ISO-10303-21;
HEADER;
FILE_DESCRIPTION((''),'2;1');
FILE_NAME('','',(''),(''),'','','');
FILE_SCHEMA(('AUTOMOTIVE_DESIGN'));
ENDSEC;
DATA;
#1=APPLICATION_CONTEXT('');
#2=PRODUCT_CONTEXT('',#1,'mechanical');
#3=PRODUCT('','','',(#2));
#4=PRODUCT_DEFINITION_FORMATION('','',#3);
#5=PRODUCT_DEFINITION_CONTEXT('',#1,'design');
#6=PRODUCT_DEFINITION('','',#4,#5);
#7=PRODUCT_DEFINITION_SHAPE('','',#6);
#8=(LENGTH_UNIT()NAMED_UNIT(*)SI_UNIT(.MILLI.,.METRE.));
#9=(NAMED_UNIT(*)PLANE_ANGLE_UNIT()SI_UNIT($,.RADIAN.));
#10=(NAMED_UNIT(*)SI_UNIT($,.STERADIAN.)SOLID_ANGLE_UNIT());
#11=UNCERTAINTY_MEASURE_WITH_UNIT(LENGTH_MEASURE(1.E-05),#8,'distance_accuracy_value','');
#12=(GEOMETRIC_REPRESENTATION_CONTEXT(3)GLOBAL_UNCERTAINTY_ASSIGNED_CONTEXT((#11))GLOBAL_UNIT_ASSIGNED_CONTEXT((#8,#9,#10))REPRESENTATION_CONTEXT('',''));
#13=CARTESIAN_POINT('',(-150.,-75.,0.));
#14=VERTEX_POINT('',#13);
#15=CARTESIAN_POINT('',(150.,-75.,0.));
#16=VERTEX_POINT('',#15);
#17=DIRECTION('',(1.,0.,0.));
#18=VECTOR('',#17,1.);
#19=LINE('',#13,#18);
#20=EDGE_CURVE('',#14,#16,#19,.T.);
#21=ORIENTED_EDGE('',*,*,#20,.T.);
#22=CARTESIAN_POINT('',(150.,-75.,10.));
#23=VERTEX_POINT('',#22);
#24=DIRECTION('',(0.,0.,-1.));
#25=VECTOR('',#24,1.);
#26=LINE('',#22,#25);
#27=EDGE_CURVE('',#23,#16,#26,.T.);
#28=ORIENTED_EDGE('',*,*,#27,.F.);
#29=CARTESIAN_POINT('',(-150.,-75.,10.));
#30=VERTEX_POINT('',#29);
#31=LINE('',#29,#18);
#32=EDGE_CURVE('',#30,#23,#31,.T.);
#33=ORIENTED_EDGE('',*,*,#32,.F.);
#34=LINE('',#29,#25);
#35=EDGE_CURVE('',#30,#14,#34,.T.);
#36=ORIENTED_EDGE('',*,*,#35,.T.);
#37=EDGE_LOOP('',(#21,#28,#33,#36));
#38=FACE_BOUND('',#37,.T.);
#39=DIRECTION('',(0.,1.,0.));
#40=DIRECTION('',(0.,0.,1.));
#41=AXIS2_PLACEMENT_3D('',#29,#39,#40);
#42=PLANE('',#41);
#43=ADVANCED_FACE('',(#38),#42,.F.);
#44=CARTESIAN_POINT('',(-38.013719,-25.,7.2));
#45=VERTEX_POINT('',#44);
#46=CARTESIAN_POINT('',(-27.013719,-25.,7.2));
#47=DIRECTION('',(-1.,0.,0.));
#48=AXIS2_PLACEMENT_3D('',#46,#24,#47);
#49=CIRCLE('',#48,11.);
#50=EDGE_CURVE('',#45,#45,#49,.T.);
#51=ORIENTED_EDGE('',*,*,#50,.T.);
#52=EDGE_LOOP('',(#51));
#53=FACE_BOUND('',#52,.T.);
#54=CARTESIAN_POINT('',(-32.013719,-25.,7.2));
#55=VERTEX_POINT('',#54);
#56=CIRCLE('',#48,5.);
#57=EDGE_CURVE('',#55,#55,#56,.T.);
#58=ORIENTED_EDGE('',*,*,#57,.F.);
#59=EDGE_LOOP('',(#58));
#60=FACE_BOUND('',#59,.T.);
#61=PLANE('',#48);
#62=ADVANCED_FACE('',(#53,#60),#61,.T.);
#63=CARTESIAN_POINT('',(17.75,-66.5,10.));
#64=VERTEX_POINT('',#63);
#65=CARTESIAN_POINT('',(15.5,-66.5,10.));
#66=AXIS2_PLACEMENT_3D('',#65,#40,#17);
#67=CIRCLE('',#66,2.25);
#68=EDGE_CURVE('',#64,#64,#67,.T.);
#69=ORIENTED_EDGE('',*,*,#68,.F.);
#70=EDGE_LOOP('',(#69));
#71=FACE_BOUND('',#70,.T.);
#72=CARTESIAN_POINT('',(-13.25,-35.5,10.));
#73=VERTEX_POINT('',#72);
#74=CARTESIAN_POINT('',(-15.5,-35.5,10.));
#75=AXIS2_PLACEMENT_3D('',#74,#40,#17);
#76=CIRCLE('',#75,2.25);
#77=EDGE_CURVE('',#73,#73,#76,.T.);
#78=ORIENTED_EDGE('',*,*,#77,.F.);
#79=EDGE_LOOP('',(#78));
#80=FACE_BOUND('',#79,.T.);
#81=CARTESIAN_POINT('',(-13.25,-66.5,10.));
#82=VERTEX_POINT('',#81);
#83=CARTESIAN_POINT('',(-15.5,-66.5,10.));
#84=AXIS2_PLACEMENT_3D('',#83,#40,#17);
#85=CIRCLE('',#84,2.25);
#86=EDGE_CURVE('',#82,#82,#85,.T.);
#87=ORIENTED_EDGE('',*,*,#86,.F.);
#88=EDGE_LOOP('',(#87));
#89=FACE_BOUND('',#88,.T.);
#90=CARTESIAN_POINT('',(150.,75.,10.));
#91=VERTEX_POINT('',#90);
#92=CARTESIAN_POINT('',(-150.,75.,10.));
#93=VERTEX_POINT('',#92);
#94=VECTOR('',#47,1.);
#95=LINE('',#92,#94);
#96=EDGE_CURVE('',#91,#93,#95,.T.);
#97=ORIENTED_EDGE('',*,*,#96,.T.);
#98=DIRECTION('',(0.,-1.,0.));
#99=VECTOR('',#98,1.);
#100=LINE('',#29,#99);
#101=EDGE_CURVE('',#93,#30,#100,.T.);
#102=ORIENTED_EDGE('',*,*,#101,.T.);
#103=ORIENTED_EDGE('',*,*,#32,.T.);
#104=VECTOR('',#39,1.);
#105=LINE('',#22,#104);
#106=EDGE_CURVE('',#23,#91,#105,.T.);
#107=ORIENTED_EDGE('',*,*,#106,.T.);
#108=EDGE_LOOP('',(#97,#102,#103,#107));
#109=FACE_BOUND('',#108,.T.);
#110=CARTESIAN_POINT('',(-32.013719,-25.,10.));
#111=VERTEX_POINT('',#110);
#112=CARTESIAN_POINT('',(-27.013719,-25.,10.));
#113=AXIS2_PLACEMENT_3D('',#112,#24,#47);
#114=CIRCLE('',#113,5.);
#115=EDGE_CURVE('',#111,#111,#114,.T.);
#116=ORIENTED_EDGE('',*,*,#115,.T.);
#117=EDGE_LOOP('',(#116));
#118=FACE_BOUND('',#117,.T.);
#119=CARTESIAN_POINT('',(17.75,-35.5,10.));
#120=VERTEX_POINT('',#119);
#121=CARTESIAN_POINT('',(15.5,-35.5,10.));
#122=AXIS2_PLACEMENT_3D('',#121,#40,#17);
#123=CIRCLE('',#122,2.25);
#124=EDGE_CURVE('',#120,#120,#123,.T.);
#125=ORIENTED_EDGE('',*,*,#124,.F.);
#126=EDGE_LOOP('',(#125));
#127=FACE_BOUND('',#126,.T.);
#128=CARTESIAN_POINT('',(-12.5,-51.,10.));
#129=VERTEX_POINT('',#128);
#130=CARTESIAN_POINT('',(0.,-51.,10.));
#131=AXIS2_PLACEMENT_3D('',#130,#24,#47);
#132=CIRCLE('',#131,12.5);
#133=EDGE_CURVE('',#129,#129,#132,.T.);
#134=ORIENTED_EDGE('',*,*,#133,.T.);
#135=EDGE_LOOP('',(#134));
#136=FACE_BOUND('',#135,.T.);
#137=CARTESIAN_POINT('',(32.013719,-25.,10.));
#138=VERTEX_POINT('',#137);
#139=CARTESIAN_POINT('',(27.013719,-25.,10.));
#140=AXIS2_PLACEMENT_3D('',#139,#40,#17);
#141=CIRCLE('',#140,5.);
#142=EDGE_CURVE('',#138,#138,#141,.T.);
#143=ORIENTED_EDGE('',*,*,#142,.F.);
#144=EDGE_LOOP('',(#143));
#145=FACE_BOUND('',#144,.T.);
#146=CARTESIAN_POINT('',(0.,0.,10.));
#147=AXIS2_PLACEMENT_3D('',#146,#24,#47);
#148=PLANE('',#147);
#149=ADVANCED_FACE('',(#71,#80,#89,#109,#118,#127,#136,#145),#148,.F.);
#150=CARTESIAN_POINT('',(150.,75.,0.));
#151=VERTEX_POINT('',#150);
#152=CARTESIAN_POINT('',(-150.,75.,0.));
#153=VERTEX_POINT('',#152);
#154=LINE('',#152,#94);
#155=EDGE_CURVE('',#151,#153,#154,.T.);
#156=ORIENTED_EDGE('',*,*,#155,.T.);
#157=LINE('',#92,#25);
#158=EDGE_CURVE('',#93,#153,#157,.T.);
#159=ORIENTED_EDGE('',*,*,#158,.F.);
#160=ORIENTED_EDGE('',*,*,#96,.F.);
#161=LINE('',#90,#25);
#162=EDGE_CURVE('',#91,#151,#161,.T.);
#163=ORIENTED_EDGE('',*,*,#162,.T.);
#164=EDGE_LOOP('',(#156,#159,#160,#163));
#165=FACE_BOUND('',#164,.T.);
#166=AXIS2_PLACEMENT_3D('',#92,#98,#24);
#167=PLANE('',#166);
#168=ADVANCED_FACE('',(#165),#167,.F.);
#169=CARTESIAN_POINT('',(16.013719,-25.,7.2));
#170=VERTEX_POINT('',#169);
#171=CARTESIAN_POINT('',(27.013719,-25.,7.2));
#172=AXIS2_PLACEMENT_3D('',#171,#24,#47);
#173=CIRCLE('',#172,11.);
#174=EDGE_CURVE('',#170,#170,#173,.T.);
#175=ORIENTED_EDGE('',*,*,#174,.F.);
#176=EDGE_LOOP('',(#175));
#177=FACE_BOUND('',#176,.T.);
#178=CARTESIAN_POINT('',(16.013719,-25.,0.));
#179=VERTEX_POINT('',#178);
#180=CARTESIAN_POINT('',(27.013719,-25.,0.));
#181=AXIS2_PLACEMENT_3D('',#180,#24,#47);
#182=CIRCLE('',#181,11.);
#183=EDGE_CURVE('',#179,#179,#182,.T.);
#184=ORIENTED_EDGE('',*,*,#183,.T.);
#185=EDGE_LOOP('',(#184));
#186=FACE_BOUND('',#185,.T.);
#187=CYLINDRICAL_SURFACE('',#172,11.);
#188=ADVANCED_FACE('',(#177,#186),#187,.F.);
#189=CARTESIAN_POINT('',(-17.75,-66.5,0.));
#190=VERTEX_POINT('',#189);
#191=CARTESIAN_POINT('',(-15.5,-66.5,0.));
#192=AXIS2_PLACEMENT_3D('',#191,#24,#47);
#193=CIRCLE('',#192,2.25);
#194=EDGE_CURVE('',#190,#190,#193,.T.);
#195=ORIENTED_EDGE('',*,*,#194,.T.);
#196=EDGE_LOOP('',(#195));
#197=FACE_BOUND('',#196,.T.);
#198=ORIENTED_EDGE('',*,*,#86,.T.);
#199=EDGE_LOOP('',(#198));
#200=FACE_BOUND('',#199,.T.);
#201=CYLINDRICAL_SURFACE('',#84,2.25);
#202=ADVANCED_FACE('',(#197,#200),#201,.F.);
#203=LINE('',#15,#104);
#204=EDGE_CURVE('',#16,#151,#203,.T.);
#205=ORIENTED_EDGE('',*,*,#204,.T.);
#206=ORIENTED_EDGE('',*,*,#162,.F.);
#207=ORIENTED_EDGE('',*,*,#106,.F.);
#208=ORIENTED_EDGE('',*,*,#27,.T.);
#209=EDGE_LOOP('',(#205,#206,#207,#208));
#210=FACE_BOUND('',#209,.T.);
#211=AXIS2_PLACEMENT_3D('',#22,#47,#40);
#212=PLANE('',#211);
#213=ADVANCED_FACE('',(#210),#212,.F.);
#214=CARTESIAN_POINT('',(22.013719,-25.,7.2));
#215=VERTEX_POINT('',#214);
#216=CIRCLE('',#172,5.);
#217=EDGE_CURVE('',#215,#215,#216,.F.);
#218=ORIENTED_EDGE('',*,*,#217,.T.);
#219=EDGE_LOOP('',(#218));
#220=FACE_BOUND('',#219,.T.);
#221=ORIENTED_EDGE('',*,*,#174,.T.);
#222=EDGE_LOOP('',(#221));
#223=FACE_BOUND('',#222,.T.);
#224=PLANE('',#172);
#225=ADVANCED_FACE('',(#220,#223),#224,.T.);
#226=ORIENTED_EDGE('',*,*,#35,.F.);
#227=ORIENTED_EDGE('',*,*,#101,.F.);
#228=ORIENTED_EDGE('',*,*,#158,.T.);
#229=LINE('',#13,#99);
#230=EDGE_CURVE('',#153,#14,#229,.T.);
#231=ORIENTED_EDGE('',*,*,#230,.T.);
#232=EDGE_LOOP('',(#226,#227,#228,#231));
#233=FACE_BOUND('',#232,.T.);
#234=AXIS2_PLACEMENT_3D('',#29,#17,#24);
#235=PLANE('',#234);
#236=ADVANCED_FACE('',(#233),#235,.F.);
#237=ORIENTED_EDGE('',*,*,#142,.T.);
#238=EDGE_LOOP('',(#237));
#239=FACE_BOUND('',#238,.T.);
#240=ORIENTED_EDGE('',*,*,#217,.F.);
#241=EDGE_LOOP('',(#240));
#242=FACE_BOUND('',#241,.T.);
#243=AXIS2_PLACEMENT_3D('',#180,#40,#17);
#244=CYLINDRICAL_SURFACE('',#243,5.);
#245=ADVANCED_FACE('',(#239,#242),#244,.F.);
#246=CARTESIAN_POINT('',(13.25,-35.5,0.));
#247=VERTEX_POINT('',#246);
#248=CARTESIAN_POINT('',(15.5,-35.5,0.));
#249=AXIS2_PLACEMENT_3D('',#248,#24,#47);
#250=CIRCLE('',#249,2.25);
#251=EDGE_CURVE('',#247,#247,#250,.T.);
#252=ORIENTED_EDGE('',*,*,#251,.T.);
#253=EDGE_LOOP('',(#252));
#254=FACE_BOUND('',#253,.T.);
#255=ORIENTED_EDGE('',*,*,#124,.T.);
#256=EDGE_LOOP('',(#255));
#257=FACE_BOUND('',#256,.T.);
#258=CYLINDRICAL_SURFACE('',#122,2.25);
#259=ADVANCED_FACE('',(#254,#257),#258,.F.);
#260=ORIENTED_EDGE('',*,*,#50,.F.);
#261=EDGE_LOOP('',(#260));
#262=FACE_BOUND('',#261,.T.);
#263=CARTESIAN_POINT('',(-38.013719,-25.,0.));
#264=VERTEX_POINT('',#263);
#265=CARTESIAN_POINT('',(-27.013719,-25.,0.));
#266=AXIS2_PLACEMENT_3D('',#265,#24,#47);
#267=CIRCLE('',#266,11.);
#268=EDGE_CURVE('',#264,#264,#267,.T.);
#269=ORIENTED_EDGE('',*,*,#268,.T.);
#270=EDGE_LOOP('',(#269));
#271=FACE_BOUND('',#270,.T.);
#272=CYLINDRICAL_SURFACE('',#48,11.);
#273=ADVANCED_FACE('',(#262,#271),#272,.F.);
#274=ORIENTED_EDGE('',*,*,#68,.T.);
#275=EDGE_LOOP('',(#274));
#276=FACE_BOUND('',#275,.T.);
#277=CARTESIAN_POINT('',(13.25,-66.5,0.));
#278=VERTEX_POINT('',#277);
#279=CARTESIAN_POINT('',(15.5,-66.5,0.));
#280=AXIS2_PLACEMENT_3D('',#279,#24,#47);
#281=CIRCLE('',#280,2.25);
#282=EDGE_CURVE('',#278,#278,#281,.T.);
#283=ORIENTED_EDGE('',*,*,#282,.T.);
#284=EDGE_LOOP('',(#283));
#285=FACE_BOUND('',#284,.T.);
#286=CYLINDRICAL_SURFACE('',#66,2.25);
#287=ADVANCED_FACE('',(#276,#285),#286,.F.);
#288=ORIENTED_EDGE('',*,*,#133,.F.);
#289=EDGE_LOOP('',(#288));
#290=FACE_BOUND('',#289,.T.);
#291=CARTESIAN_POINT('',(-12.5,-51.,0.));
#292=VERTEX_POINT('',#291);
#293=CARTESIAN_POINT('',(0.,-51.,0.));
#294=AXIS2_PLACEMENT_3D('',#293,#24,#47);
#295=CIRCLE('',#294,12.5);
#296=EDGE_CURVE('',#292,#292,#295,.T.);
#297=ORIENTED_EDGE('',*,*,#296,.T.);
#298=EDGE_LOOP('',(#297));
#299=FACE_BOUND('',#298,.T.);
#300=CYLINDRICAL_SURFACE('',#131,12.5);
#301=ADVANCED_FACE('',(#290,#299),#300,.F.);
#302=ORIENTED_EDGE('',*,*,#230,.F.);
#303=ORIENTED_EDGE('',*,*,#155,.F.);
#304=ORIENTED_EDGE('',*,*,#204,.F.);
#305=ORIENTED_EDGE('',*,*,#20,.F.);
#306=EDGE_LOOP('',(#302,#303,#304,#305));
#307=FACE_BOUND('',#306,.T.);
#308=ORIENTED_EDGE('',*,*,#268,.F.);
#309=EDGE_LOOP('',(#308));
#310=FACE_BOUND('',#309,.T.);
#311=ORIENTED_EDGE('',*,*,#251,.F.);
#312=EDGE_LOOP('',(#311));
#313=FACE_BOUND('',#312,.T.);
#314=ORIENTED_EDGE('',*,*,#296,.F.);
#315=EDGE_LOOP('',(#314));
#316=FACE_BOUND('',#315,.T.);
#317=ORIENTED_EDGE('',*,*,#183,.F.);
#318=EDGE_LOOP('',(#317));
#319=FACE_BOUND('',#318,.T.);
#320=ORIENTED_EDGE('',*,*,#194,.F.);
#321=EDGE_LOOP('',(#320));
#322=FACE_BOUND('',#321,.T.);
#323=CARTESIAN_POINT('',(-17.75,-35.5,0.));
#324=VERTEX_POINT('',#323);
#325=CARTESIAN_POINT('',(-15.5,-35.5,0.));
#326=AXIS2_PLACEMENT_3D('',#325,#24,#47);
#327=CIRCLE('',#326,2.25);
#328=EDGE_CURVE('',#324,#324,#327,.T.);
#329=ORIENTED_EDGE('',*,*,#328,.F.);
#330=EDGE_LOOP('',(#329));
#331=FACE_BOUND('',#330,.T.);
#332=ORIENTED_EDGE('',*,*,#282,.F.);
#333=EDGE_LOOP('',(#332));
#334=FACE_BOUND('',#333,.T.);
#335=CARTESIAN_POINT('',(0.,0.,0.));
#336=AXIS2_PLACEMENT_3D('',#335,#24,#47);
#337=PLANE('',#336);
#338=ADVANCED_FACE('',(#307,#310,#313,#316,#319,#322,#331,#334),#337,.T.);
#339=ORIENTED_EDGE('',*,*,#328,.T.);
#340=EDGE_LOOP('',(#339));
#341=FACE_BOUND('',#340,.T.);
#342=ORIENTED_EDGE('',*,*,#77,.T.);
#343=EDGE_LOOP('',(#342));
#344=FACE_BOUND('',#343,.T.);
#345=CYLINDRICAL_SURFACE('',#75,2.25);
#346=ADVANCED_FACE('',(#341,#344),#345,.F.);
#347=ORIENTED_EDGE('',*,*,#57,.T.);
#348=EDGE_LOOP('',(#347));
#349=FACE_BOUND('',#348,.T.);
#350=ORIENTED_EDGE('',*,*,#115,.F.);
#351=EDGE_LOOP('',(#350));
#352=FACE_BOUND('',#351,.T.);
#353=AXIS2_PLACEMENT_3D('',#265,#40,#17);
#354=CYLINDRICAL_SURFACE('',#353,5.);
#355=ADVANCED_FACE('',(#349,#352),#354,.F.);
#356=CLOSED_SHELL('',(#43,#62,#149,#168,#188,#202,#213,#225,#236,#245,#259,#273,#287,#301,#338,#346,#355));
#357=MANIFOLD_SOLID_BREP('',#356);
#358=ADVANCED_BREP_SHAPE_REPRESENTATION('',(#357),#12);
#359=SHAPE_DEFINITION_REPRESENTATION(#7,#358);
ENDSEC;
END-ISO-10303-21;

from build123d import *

# Parameters (mm, degrees)
SKETCH1_W                = 300
SKETCH1_H                = 150
BOSS_EXTRUDE1_DEPTH      = 10
SKETCH2_R                = 12.5
CUT_EXTRUDE1_DEPTH       = 169.002976164
M4_CLEARANCE_HOLE1_D     = 4.5
M4_CLEARANCE_HOLE1_DEPTH = 21
M4_CLEARANCE_HOLE1_TIP   = 1.351936393
SKETCH5_R                = 5
CUT_EXTRUDE2_DEPTH       = 169.002976164
SKETCH6_R                = 11
CUT_EXTRUDE3_DEPTH       = 7.2


with BuildPart() as part:
    # Sketch1 → Boss-Extrude1 (new body)
    with BuildSketch(Plane.XY):
        Rectangle(SKETCH1_W, SKETCH1_H)
    extrude(amount=BOSS_EXTRUDE1_DEPTH)

    # Sketch2 → Cut-Extrude1 (cut, through all)
    with BuildSketch(Plane(origin=(0, 0, 0), x_dir=(-1, 0, 0), z_dir=(0, 0, -1))):
        with Locations((0, -51)):
            Circle(SKETCH2_R)
    extrude(amount=-CUT_EXTRUDE1_DEPTH, mode=Mode.SUBTRACT)

    # M4 Clearance Hole1
    with Locations(Plane.XY.offset(10)):
        with Locations((-15.5, -35.5), (15.5, -35.5), (15.5, -66.5), (-15.5, -66.5)):
            Hole(M4_CLEARANCE_HOLE1_D / 2, depth=M4_CLEARANCE_HOLE1_DEPTH)
            with Locations((0, 0, -(M4_CLEARANCE_HOLE1_DEPTH + M4_CLEARANCE_HOLE1_TIP / 2))):  # 118° drill point
                Cone(0, M4_CLEARANCE_HOLE1_D / 2, M4_CLEARANCE_HOLE1_TIP, mode=Mode.SUBTRACT)

    # Sketch5 → Cut-Extrude2 (cut, through all)
    with BuildSketch(Plane.XY.offset(10)):
        with Locations((27.013718503, -25)):
            Circle(SKETCH5_R)
    cut_extrude2 = extrude(amount=-CUT_EXTRUDE2_DEPTH, mode=Mode.SUBTRACT)

    # Mirror1: Cut-Extrude2 across plane
    add(cut_extrude2.mirror(Plane(origin=(0, 0, 0), x_dir=(0, 0, 1), z_dir=(1, 0, 0))), mode=Mode.SUBTRACT)

    # Sketch6 → Cut-Extrude3 (cut)
    with BuildSketch(Plane(origin=(0, 0, 0), x_dir=(-1, 0, 0), z_dir=(0, 0, -1))):
        with Locations((-27.013718503, -25)):
            Circle(SKETCH6_R)
        with Locations((27.013718503, -25)):
            Circle(SKETCH6_R)
    extrude(amount=-CUT_EXTRUDE3_DEPTH, mode=Mode.SUBTRACT)


solid = part.part
